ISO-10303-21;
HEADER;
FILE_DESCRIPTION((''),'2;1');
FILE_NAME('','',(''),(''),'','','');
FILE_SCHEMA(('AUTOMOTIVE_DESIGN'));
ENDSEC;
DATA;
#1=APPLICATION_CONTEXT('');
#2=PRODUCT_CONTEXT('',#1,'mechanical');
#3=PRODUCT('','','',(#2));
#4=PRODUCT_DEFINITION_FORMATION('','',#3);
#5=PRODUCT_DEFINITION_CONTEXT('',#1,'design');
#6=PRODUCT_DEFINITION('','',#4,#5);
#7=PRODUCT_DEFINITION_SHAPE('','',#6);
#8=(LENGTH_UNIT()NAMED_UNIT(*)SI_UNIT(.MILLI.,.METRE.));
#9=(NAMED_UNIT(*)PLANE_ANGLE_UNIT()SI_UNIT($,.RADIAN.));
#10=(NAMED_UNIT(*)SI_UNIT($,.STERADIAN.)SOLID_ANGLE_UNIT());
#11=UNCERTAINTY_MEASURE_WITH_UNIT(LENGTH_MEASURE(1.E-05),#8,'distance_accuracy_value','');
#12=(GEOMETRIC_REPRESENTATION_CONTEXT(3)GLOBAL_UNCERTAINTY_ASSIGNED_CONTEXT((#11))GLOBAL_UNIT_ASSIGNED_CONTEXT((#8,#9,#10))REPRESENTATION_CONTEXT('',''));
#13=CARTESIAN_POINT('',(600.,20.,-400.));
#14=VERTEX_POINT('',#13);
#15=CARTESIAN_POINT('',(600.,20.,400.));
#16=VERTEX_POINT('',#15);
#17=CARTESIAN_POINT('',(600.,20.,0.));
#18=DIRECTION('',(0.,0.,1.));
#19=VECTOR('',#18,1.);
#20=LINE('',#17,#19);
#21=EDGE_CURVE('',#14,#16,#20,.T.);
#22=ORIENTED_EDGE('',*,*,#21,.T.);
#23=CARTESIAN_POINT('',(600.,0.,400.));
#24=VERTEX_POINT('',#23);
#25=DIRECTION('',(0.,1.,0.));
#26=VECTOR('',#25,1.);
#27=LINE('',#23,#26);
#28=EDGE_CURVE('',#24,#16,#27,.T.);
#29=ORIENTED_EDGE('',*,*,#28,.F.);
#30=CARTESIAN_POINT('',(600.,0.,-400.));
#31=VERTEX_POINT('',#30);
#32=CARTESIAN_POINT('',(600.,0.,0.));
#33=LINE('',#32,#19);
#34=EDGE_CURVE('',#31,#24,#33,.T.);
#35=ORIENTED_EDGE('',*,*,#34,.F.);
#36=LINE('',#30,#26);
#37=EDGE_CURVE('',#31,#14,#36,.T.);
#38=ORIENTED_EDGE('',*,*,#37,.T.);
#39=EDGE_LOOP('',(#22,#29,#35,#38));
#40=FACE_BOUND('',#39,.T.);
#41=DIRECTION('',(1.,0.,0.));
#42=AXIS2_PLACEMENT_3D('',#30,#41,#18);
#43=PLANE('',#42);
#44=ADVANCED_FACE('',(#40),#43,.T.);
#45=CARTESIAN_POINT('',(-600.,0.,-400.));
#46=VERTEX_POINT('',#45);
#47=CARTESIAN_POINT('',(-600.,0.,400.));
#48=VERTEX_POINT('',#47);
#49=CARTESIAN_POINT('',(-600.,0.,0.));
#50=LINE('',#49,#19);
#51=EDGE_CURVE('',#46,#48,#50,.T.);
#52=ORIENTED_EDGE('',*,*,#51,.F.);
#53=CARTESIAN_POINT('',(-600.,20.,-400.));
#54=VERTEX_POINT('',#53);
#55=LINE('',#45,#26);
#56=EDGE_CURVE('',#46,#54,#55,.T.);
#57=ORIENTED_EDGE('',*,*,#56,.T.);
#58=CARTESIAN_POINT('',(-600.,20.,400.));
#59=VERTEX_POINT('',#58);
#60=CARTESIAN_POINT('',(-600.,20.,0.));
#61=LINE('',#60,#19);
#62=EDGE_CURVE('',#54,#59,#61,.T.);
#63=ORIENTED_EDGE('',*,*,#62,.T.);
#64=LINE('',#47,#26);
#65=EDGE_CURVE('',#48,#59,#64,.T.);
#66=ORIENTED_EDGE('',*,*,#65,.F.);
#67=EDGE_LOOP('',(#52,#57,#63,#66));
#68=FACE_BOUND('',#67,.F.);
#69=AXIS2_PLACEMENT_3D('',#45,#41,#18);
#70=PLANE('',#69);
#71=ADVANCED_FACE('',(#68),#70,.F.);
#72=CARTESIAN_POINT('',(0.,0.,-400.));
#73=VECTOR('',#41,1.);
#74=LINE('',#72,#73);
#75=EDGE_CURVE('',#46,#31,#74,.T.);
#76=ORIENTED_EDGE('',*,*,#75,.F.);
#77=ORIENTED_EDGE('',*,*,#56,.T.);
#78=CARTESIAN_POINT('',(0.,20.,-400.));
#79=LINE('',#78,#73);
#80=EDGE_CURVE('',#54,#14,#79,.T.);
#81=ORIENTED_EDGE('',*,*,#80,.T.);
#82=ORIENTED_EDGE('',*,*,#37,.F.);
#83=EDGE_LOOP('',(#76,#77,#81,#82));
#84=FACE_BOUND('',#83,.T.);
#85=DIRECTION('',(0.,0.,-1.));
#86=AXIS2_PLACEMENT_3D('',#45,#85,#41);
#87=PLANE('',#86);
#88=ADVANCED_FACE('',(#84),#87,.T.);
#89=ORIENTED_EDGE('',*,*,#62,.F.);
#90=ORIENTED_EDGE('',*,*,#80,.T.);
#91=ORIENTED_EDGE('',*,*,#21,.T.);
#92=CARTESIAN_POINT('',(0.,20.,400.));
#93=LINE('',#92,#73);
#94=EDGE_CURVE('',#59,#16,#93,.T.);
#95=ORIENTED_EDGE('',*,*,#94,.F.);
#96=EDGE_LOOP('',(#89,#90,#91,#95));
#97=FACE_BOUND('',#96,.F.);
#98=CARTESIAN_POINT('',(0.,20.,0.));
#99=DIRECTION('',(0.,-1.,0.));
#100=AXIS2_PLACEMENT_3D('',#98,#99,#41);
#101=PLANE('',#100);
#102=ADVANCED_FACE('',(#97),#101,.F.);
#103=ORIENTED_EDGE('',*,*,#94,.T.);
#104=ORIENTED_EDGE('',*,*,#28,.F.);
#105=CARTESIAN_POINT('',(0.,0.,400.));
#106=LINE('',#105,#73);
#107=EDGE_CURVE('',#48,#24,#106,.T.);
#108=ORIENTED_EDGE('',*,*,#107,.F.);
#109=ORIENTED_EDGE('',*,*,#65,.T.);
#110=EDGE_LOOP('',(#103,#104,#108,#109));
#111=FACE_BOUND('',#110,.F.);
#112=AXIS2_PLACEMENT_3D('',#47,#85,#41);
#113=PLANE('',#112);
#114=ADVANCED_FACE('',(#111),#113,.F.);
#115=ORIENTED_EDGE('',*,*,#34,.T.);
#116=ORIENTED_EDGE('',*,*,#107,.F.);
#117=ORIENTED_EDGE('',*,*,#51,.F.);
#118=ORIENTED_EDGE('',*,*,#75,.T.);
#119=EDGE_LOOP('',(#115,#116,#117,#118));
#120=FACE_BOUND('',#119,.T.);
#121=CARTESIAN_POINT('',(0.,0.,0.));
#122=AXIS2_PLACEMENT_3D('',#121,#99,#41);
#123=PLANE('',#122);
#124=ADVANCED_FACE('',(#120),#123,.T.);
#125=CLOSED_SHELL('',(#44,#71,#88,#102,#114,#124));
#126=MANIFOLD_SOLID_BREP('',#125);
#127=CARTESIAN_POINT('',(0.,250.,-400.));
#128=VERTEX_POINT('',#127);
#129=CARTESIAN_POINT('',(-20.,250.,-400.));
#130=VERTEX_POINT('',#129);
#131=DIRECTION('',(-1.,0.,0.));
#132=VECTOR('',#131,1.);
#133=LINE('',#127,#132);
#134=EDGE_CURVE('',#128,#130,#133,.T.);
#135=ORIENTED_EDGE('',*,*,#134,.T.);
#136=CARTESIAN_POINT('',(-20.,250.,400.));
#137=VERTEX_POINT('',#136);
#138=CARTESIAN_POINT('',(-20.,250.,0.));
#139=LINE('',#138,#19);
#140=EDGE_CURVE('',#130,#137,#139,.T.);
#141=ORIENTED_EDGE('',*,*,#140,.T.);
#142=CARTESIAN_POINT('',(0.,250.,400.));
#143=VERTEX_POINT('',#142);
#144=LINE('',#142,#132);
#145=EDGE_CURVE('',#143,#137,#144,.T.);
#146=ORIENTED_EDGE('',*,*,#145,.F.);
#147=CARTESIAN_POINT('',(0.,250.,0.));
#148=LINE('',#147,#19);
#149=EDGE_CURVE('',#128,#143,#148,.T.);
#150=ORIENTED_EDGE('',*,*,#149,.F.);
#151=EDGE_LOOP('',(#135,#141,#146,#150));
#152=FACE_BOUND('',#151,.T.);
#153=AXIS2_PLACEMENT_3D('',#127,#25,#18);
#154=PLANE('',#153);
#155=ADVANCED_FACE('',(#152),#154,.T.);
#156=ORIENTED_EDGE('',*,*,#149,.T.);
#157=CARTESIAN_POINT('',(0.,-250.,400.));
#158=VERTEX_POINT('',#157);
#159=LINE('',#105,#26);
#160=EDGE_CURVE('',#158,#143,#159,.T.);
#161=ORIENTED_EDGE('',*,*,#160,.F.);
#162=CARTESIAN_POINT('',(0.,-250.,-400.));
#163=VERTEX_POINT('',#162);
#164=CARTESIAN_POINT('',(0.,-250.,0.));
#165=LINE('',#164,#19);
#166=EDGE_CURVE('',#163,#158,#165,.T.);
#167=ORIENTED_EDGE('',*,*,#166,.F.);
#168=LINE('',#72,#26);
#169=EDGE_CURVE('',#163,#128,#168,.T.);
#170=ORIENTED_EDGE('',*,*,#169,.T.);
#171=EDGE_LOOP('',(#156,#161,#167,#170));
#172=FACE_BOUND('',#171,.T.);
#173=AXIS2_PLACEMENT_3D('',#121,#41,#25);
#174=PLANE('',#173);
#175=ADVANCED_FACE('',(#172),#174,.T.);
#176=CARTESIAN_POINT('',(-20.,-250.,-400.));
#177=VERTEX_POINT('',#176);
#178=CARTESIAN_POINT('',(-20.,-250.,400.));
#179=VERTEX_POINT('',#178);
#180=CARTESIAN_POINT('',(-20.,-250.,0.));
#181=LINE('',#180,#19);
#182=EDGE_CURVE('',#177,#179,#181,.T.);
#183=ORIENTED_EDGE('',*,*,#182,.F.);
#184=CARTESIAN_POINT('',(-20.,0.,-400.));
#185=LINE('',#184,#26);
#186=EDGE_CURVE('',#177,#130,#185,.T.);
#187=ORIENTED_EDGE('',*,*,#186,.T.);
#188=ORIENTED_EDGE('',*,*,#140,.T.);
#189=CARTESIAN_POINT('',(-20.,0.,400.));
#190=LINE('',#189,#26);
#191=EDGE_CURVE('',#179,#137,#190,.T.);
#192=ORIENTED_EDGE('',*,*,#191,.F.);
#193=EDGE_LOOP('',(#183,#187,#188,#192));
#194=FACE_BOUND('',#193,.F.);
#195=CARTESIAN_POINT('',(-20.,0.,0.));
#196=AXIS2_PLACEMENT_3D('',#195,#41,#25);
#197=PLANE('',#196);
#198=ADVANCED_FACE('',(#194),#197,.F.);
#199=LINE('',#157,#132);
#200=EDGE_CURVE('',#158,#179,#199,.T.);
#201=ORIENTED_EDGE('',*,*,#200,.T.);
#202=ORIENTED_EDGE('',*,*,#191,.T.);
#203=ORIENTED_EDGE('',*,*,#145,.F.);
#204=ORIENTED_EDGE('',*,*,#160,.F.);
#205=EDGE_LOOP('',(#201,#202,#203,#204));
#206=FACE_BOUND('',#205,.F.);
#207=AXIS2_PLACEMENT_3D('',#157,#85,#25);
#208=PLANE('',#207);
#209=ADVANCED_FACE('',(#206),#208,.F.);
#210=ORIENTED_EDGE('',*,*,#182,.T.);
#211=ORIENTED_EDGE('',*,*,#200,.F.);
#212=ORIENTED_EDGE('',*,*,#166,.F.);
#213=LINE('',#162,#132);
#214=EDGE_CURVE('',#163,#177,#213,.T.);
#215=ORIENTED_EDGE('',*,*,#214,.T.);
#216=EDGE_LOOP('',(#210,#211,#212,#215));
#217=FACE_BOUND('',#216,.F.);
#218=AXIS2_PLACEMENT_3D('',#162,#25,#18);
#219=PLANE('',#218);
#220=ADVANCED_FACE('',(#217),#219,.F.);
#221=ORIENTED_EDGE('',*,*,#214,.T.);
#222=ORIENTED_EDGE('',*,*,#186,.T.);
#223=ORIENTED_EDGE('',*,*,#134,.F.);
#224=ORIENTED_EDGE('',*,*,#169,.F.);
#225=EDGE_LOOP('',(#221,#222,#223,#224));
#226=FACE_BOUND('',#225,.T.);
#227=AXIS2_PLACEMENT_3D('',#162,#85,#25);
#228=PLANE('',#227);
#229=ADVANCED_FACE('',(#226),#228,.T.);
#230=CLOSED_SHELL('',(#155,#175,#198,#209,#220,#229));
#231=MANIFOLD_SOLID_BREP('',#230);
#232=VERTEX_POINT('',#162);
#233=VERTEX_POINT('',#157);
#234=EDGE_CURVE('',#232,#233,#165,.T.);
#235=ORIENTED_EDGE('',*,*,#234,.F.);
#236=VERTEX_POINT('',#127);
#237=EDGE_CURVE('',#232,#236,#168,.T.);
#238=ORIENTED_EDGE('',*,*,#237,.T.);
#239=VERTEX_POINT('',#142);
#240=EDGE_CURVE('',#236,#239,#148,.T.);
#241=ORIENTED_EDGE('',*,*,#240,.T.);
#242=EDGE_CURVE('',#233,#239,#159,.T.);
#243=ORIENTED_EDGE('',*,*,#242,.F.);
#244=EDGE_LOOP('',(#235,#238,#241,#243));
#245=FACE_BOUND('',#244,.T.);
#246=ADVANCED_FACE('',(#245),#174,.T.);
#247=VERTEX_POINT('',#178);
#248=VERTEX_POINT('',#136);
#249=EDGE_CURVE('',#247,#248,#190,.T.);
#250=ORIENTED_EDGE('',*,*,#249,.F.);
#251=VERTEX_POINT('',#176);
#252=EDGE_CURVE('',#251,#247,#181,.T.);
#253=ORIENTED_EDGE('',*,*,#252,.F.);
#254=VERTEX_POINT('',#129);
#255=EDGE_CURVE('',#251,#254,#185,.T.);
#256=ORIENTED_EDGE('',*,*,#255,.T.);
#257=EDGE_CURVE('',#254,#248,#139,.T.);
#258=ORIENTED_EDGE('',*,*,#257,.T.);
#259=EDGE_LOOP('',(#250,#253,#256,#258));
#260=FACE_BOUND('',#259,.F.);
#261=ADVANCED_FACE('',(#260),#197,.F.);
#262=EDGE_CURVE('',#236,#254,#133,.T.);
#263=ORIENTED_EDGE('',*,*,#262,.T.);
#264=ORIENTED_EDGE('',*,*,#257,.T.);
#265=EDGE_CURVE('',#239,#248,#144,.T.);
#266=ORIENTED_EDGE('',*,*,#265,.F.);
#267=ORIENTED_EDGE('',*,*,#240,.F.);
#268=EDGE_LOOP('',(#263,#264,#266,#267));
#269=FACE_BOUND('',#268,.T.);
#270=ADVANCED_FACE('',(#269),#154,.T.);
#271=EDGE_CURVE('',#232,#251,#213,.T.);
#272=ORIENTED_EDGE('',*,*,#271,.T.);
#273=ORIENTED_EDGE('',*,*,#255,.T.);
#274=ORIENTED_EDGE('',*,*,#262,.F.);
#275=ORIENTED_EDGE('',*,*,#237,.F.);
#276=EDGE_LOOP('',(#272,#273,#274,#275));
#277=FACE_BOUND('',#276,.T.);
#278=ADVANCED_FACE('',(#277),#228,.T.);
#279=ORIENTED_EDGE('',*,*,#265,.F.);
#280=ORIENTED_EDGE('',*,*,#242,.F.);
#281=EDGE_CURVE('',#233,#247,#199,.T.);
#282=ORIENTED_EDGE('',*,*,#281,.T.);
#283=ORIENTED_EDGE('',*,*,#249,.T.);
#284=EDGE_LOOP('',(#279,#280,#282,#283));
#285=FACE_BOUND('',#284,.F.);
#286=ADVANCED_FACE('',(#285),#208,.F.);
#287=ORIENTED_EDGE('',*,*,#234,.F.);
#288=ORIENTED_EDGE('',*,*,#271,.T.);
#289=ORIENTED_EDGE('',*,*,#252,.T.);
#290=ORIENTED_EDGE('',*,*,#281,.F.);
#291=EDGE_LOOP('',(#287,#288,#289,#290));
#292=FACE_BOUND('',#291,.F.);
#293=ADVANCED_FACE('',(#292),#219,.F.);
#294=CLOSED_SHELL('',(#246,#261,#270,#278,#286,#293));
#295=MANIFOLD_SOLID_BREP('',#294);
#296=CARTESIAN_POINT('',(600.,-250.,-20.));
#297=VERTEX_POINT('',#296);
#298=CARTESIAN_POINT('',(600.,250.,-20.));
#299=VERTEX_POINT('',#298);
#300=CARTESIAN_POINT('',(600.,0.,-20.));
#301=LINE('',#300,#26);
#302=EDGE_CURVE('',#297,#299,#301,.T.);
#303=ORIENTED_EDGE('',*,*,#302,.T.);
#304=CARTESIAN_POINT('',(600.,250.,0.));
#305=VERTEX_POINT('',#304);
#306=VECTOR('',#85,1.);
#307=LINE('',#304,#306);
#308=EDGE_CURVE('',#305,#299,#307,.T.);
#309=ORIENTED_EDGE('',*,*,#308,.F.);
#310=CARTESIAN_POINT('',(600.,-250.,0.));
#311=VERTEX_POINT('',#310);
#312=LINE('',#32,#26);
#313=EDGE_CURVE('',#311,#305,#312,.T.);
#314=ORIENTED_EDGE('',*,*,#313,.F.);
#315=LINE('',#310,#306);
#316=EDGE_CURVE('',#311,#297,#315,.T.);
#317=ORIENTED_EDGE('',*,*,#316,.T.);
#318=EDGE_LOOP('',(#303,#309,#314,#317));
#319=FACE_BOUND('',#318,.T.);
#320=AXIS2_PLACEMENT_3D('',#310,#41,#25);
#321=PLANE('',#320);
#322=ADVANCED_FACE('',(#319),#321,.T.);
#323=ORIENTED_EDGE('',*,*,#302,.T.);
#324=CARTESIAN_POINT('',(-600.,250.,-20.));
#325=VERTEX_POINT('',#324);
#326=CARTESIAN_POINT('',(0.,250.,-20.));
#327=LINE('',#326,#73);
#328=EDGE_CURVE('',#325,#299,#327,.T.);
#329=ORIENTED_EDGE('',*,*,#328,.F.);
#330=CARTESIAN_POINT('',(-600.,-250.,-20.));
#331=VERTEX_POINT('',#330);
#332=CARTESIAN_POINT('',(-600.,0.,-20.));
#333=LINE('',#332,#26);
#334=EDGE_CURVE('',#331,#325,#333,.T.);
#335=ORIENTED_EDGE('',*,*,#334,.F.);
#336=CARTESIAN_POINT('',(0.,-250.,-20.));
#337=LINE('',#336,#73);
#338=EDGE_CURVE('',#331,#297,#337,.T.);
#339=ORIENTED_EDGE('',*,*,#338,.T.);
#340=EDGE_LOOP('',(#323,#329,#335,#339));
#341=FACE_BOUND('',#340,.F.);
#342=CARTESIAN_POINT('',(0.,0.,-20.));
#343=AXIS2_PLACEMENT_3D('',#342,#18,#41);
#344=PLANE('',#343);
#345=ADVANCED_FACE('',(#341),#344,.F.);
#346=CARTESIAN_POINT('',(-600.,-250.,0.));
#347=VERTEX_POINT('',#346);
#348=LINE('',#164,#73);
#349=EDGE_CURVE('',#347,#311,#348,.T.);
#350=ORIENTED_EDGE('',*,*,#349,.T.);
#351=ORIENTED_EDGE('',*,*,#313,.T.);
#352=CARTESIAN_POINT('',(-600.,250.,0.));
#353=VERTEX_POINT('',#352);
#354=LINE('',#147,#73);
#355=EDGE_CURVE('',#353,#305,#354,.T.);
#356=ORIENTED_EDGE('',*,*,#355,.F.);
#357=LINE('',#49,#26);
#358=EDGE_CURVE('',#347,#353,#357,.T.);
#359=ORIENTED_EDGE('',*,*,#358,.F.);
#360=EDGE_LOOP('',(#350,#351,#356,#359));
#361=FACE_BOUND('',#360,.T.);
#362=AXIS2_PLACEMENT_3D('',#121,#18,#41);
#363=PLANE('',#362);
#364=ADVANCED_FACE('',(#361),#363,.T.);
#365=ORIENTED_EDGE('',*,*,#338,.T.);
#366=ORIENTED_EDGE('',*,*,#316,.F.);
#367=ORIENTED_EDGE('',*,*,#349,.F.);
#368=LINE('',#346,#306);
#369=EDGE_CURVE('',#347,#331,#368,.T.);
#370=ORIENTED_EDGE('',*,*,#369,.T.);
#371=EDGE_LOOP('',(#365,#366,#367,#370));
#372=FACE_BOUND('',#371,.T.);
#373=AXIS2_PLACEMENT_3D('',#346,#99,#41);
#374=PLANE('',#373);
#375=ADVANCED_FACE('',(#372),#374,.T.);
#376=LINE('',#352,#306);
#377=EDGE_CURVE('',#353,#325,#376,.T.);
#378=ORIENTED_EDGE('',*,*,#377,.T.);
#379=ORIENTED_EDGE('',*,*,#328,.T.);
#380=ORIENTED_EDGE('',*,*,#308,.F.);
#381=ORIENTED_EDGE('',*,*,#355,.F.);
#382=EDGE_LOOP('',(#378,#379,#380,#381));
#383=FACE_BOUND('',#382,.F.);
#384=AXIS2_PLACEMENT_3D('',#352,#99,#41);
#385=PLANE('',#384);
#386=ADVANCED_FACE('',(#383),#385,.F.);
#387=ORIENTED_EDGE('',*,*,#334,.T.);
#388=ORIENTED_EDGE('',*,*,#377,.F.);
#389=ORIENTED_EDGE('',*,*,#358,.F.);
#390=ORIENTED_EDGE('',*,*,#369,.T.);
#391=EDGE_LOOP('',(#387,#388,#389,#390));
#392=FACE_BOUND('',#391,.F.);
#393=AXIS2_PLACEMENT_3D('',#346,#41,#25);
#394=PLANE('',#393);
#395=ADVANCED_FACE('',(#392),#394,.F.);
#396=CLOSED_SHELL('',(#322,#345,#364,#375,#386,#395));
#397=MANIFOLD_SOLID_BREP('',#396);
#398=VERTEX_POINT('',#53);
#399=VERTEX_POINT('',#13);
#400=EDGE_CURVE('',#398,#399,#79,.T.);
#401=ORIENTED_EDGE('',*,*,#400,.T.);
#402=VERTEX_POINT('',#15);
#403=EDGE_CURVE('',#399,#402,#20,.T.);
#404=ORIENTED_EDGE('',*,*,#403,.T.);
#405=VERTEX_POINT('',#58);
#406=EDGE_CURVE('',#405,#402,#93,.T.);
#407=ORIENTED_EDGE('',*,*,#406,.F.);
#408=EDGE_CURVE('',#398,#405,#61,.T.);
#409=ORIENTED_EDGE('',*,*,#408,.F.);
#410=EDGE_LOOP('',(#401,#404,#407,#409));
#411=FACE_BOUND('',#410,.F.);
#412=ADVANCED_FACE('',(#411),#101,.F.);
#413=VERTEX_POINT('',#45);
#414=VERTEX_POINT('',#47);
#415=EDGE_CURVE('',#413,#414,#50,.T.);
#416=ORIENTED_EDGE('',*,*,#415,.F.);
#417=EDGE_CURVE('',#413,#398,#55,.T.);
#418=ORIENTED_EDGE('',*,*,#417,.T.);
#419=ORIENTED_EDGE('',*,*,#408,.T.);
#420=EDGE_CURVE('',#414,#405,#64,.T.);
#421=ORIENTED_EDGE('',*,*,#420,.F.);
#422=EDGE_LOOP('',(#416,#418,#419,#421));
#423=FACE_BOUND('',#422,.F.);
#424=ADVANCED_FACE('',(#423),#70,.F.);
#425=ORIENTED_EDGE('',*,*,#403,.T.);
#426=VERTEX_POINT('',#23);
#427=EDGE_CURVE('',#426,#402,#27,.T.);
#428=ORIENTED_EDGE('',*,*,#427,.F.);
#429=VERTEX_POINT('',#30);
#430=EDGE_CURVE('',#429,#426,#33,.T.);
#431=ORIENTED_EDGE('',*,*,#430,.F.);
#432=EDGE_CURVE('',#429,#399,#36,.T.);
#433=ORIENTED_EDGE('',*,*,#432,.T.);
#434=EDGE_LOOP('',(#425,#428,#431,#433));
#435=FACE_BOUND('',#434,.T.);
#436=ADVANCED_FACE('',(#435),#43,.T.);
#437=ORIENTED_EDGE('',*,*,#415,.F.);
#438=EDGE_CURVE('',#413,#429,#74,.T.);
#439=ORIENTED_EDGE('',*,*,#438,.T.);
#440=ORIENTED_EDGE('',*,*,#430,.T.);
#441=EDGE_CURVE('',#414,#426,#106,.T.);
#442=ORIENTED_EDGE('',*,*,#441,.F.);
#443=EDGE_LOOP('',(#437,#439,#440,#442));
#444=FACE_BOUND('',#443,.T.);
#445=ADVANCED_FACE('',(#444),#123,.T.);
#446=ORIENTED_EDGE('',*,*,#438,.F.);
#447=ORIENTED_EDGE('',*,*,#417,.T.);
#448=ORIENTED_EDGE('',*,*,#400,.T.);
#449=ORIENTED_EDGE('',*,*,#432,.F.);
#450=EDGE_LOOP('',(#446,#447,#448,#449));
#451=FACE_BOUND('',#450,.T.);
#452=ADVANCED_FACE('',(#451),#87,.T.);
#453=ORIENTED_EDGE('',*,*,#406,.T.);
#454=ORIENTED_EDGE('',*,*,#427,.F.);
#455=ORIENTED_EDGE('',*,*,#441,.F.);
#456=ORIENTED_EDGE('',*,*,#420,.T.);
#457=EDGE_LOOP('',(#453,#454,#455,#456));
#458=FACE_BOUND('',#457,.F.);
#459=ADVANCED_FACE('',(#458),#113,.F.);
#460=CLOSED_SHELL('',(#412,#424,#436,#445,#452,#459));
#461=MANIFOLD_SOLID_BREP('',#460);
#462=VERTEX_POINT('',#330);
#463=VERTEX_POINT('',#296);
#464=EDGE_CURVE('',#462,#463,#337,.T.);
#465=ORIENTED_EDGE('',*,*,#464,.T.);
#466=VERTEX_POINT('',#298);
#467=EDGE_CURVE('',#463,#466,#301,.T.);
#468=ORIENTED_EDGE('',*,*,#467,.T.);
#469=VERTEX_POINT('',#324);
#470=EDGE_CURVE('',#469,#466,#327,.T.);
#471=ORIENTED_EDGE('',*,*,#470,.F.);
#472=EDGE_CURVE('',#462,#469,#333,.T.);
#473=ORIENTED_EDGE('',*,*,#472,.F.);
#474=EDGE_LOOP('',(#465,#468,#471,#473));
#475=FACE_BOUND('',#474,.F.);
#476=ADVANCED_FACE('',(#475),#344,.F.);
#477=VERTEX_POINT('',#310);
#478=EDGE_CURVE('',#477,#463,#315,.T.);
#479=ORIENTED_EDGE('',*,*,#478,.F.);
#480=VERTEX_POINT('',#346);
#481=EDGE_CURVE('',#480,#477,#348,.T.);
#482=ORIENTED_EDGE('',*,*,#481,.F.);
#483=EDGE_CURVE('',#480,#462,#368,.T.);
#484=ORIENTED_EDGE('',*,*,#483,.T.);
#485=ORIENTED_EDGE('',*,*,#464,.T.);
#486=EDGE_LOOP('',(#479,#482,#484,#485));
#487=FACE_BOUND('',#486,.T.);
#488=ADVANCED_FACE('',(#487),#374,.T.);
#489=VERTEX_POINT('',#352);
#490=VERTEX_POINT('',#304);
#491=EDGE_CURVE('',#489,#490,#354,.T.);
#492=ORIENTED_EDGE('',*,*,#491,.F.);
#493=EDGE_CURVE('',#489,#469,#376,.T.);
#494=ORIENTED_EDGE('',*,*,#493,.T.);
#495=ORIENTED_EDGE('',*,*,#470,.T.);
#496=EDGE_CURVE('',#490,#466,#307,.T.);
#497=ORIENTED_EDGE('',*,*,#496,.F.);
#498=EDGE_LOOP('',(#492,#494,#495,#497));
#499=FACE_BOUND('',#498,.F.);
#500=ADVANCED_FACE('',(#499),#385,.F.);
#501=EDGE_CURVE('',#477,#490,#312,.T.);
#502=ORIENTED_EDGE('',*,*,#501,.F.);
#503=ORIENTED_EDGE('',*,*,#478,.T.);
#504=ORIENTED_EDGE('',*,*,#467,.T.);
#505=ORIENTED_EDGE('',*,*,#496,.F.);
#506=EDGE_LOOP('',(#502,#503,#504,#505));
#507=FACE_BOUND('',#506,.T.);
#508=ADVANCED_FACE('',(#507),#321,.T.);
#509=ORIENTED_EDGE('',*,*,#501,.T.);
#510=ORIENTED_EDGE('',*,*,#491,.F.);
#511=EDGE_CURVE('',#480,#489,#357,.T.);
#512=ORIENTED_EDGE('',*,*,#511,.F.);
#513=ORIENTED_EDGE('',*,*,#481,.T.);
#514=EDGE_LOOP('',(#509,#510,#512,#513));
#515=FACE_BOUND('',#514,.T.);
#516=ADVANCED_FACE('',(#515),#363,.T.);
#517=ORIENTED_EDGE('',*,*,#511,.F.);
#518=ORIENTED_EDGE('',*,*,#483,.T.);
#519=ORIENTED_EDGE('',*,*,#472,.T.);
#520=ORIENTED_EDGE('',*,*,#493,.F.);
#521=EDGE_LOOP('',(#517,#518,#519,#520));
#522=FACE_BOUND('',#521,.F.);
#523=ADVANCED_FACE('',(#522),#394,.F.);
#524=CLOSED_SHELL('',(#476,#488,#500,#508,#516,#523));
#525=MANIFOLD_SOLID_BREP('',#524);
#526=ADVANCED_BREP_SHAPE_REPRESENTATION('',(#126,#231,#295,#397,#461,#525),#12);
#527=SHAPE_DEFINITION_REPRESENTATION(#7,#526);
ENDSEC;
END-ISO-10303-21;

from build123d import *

# Parameters (mm, degrees)
F0_W      = 1200
F0_H      = 500
F1_DEPTH  = 20
F2_W      = 1200
F2_H      = 500
F3_DEPTH  = 20
F4_W      = 1200
F4_H      = 800
F5_DEPTH  = 20
F6_W      = 1200
F6_H      = 800
F7_DEPTH  = 20
F8_W      = 500
F8_H      = 800
F9_DEPTH  = 20
F10_W     = 500
F10_H     = 800
F11_DEPTH = 20


with BuildPart() as f1:
    # F0 (on Top) → F1 (new body)
    with BuildSketch(Plane.XY):
        Rectangle(F0_W, F0_H)
    extrude(amount=-F1_DEPTH)


with BuildPart() as f3:
    # F2 (on Top) → F3 (new body)
    with BuildSketch(Plane.XY):
        Rectangle(F2_W, F2_H)
    extrude(amount=-F3_DEPTH)


with BuildPart() as f5:
    # F4 (on Front) → F5 (new body)
    with BuildSketch(Plane.XZ):
        Rectangle(F4_W, F4_H)
    extrude(amount=-F5_DEPTH)


with BuildPart() as f7:
    # F6 (on Front) → F7 (new body)
    with BuildSketch(Plane.XZ):
        Rectangle(F6_W, F6_H)
    extrude(amount=-F7_DEPTH)


with BuildPart() as f9:
    # F8 (on Right) → F9 (new body)
    with BuildSketch(Plane.YZ):
        Rectangle(F8_W, F8_H)
    extrude(amount=-F9_DEPTH)


with BuildPart() as f11:
    # F10 (on Right) → F11 (new body)
    with BuildSketch(Plane.YZ):
        Rectangle(F10_W, F10_H)
    extrude(amount=-F11_DEPTH)


solid = Compound([f1.part, f3.part, f5.part, f7.part, f9.part, f11.part])
